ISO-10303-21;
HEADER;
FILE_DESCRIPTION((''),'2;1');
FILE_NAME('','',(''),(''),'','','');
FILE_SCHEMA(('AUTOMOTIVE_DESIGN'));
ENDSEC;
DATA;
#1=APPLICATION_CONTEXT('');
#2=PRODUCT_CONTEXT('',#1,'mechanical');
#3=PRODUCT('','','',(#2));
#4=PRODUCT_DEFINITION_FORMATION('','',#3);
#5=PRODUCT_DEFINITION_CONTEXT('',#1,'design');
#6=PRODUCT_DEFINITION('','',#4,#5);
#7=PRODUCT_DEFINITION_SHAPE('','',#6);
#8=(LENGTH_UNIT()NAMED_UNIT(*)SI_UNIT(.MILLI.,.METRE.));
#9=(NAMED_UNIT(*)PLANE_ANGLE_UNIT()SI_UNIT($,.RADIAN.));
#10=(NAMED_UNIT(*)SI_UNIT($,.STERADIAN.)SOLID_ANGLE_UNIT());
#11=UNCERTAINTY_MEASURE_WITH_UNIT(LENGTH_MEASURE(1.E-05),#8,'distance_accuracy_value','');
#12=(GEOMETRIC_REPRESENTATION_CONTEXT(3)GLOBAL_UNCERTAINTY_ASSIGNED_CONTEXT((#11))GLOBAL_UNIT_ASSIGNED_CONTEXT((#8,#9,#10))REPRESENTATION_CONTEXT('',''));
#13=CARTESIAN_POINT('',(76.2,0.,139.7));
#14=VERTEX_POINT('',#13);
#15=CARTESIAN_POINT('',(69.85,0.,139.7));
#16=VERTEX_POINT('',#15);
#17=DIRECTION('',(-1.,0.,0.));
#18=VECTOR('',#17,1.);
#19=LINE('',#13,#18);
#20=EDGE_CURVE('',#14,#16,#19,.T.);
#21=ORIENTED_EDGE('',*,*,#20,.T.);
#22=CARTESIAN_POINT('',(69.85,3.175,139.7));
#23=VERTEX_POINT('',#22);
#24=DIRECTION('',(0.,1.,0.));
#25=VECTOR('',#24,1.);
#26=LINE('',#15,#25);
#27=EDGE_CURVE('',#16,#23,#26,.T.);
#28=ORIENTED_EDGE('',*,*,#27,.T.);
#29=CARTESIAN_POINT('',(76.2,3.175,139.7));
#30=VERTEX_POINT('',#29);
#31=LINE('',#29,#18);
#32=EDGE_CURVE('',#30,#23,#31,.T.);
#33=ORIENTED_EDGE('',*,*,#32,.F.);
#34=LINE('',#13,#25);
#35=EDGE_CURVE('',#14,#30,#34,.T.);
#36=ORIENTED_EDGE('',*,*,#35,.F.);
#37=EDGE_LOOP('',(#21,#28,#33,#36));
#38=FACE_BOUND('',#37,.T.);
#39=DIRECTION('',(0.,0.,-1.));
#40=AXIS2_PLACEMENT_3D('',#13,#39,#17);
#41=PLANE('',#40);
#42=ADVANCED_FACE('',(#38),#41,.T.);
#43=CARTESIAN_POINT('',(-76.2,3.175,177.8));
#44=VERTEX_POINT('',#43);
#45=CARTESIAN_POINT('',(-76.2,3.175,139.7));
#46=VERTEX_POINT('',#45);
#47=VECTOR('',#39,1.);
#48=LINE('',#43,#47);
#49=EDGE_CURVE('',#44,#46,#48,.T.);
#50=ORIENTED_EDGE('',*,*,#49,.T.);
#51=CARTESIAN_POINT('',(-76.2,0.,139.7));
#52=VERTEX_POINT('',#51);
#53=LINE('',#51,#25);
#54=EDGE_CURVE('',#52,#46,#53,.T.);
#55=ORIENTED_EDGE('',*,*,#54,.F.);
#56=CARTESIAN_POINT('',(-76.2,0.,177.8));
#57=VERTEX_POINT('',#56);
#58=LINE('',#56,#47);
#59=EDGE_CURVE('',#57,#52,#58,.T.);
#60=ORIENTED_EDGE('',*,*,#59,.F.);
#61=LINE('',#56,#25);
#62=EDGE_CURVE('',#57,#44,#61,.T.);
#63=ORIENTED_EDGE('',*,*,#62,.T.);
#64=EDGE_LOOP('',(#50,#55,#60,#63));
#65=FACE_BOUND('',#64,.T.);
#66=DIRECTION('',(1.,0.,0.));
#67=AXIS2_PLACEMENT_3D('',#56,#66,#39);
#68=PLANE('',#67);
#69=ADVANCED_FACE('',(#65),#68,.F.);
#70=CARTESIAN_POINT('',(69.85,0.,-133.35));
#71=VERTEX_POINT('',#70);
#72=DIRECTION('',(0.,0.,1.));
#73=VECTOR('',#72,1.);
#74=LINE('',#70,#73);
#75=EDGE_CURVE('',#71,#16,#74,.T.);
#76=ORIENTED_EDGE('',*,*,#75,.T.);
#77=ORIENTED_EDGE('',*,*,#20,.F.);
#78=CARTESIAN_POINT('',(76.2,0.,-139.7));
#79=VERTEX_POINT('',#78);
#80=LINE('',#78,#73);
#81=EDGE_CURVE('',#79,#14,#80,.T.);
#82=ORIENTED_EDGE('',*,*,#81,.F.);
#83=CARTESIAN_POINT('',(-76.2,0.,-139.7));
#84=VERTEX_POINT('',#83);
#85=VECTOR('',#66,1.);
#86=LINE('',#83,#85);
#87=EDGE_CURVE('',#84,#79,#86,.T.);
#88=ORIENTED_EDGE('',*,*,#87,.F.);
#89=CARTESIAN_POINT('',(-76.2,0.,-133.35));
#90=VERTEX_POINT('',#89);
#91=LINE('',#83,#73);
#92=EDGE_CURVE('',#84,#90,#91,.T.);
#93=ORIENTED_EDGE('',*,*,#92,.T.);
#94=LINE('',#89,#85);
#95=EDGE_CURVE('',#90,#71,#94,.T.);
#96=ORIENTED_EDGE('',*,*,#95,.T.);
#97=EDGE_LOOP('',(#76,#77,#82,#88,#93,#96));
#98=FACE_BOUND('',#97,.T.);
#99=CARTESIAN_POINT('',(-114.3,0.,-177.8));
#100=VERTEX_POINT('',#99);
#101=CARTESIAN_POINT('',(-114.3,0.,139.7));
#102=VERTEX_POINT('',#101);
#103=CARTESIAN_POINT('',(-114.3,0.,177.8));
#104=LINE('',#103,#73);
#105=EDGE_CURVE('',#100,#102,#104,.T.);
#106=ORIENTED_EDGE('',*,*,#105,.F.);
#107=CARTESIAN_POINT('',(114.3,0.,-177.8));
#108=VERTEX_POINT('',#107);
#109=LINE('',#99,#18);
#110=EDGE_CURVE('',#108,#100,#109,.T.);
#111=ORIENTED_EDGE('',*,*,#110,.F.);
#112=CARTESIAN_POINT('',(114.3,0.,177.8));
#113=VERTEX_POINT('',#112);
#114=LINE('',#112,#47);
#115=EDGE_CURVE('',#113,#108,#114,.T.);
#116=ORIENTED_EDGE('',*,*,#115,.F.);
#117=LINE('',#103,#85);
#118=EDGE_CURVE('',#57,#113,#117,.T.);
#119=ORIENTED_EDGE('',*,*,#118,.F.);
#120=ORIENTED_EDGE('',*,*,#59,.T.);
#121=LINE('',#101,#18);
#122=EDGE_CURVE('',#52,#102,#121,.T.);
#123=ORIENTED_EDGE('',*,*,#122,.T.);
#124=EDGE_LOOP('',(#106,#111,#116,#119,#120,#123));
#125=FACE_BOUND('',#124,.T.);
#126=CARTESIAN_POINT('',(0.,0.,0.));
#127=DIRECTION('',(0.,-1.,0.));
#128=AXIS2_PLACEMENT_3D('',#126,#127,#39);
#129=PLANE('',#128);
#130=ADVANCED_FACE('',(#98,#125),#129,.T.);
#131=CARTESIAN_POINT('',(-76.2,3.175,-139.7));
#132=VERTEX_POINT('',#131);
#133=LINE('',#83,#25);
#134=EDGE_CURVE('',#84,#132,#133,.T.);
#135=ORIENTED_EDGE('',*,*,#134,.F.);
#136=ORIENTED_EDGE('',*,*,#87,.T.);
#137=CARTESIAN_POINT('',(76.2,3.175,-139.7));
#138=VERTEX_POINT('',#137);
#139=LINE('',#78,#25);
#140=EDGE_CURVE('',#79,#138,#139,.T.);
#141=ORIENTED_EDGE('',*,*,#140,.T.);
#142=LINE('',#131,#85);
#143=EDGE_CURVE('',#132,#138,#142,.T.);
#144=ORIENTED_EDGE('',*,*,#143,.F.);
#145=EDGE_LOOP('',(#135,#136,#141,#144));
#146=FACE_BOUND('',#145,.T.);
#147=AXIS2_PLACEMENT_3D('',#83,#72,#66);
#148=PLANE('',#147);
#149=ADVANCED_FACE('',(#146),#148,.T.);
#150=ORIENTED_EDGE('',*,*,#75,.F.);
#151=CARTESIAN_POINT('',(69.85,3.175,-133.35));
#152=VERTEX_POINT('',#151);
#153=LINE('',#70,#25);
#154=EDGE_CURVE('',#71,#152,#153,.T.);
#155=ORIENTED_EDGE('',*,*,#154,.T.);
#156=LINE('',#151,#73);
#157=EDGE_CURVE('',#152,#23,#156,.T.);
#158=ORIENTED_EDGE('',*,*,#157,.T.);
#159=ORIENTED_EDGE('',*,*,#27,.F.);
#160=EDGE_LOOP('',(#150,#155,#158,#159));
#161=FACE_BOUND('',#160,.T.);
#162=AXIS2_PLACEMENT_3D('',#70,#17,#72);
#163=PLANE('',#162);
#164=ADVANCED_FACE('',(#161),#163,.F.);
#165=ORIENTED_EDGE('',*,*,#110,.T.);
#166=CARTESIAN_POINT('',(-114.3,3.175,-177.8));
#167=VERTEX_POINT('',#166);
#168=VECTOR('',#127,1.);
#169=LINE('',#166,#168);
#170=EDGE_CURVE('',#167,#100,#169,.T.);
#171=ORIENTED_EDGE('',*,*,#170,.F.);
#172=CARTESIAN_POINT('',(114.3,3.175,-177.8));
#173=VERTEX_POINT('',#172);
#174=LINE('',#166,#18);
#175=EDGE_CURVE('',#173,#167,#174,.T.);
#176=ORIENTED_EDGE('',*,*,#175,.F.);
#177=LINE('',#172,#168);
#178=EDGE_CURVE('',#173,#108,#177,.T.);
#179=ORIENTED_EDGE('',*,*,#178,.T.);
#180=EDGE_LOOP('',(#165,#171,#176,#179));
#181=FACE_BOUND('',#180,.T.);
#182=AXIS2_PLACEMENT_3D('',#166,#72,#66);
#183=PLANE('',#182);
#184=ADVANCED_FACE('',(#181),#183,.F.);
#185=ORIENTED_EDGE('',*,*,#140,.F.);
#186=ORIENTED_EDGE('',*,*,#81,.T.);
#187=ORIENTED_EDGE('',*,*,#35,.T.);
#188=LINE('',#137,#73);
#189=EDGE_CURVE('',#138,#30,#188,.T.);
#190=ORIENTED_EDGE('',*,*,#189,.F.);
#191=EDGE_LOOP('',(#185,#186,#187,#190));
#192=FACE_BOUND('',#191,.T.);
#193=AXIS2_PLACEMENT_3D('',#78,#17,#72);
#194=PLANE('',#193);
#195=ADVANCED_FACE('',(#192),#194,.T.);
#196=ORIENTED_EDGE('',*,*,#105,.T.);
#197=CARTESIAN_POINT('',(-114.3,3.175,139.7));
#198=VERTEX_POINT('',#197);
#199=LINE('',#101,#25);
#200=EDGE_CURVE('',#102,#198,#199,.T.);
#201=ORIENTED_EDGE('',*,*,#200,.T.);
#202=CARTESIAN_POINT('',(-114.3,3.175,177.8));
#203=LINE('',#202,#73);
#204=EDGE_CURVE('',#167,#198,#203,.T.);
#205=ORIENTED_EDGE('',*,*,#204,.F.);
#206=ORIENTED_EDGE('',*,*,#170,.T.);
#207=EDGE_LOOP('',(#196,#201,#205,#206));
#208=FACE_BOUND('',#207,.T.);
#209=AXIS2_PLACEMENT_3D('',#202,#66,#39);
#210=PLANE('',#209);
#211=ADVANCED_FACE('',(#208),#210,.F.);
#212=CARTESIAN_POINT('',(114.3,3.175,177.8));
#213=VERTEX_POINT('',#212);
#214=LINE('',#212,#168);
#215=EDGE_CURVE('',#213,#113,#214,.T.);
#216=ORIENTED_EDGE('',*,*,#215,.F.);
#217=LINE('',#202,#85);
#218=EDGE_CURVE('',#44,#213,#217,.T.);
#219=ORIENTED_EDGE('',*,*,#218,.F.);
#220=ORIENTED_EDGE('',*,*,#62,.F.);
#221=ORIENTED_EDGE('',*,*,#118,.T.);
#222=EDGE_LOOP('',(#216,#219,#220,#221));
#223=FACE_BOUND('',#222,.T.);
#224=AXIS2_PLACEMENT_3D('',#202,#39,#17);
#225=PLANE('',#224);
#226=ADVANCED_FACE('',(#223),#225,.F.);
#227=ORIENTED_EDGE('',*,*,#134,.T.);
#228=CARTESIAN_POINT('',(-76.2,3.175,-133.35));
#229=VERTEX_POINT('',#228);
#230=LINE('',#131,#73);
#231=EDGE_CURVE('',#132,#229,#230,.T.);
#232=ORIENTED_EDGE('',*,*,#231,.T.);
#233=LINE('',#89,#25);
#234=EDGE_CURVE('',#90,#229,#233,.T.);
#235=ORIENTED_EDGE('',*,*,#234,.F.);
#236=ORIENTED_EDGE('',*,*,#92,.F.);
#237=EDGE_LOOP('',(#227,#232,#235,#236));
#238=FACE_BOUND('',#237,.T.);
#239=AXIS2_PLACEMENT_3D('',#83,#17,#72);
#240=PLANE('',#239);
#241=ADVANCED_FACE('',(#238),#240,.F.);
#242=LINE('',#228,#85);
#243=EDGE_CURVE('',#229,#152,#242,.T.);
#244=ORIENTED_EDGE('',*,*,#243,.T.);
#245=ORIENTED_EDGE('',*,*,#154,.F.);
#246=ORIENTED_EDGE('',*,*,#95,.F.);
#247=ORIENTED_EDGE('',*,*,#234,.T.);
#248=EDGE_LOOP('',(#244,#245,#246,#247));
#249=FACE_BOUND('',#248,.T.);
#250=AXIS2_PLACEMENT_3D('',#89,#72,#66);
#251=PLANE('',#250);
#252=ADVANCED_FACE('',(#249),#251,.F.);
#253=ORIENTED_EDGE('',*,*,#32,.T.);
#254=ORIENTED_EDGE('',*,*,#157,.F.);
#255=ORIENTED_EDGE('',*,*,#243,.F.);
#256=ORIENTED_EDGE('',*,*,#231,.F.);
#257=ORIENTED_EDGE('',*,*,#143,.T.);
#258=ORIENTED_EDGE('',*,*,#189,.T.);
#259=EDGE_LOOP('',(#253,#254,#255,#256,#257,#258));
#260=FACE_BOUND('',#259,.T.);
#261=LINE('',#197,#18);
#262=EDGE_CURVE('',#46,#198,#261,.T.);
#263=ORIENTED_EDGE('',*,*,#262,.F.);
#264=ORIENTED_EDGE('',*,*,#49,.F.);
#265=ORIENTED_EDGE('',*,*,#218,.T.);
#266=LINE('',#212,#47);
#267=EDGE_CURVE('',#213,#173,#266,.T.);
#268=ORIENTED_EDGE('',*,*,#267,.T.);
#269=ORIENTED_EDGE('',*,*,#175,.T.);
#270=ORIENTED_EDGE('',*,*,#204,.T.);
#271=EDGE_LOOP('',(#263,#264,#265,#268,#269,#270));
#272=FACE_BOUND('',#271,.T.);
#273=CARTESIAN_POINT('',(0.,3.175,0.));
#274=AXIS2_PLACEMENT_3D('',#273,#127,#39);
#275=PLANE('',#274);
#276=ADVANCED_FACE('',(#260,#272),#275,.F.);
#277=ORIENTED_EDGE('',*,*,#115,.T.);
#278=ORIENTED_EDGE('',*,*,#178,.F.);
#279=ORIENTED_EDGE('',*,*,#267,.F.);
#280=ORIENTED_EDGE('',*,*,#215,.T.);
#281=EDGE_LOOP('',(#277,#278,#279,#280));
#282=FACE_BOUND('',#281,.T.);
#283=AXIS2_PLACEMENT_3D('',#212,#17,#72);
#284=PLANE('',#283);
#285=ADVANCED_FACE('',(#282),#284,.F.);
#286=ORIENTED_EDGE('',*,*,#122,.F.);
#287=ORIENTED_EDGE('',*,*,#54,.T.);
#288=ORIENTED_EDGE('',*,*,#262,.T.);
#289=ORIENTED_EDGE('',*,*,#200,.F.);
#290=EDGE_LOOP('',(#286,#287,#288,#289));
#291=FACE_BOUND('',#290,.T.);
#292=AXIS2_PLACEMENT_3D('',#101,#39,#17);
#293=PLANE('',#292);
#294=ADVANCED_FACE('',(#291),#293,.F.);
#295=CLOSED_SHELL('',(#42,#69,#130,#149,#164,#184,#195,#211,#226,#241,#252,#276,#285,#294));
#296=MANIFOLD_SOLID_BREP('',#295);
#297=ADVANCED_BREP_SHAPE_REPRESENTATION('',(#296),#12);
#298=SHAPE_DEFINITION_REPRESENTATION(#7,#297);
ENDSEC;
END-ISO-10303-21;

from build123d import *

# Parameters (mm, degrees)
SKETCH2_W           = 228.6
SKETCH2_H           = 355.6
BOSS_EXTRUDE1_DEPTH = 3.175
SKETCH3_W           = 6.35
SKETCH3_H           = 273.05
CUT_EXTRUDE1_DEPTH  = 212.393970172
SKETCH4_W           = 38.1
SKETCH4_H           = 38.1
CUT_EXTRUDE2_DEPTH  = 212.393970172


with BuildPart() as part:
    # Sketch2 → Boss-Extrude1 (new body)
    with BuildSketch(Plane(origin=(0, 0, 0), x_dir=(1, 0, 0), z_dir=(0, 1, 0))):
        Rectangle(SKETCH2_W, SKETCH2_H)
    extrude(amount=BOSS_EXTRUDE1_DEPTH)

    # Sketch3 → Cut-Extrude1 (cut, through all)
    with BuildSketch(Plane(origin=(0, 3.175, 0), x_dir=(1, 0, 0), z_dir=(0, 1, 0))):
        Polygon((76.2, 139.7), (-76.2, 139.7), (-76.2, 133.35), (69.85, 133.35), (76.2, 133.35), align=None)
        with Locations((73.025, -3.175)):
            Rectangle(SKETCH3_W, SKETCH3_H)
    extrude(amount=-CUT_EXTRUDE1_DEPTH, mode=Mode.SUBTRACT)

    # Sketch4 → Cut-Extrude2 (cut, through all)
    with BuildSketch(Plane(origin=(0, 3.175, 0), x_dir=(1, 0, 0), z_dir=(0, 1, 0))):
        with Locations((-95.25, -158.75)):
            Rectangle(SKETCH4_W, SKETCH4_H)
    extrude(amount=-CUT_EXTRUDE2_DEPTH, mode=Mode.SUBTRACT)


solid = part.part
